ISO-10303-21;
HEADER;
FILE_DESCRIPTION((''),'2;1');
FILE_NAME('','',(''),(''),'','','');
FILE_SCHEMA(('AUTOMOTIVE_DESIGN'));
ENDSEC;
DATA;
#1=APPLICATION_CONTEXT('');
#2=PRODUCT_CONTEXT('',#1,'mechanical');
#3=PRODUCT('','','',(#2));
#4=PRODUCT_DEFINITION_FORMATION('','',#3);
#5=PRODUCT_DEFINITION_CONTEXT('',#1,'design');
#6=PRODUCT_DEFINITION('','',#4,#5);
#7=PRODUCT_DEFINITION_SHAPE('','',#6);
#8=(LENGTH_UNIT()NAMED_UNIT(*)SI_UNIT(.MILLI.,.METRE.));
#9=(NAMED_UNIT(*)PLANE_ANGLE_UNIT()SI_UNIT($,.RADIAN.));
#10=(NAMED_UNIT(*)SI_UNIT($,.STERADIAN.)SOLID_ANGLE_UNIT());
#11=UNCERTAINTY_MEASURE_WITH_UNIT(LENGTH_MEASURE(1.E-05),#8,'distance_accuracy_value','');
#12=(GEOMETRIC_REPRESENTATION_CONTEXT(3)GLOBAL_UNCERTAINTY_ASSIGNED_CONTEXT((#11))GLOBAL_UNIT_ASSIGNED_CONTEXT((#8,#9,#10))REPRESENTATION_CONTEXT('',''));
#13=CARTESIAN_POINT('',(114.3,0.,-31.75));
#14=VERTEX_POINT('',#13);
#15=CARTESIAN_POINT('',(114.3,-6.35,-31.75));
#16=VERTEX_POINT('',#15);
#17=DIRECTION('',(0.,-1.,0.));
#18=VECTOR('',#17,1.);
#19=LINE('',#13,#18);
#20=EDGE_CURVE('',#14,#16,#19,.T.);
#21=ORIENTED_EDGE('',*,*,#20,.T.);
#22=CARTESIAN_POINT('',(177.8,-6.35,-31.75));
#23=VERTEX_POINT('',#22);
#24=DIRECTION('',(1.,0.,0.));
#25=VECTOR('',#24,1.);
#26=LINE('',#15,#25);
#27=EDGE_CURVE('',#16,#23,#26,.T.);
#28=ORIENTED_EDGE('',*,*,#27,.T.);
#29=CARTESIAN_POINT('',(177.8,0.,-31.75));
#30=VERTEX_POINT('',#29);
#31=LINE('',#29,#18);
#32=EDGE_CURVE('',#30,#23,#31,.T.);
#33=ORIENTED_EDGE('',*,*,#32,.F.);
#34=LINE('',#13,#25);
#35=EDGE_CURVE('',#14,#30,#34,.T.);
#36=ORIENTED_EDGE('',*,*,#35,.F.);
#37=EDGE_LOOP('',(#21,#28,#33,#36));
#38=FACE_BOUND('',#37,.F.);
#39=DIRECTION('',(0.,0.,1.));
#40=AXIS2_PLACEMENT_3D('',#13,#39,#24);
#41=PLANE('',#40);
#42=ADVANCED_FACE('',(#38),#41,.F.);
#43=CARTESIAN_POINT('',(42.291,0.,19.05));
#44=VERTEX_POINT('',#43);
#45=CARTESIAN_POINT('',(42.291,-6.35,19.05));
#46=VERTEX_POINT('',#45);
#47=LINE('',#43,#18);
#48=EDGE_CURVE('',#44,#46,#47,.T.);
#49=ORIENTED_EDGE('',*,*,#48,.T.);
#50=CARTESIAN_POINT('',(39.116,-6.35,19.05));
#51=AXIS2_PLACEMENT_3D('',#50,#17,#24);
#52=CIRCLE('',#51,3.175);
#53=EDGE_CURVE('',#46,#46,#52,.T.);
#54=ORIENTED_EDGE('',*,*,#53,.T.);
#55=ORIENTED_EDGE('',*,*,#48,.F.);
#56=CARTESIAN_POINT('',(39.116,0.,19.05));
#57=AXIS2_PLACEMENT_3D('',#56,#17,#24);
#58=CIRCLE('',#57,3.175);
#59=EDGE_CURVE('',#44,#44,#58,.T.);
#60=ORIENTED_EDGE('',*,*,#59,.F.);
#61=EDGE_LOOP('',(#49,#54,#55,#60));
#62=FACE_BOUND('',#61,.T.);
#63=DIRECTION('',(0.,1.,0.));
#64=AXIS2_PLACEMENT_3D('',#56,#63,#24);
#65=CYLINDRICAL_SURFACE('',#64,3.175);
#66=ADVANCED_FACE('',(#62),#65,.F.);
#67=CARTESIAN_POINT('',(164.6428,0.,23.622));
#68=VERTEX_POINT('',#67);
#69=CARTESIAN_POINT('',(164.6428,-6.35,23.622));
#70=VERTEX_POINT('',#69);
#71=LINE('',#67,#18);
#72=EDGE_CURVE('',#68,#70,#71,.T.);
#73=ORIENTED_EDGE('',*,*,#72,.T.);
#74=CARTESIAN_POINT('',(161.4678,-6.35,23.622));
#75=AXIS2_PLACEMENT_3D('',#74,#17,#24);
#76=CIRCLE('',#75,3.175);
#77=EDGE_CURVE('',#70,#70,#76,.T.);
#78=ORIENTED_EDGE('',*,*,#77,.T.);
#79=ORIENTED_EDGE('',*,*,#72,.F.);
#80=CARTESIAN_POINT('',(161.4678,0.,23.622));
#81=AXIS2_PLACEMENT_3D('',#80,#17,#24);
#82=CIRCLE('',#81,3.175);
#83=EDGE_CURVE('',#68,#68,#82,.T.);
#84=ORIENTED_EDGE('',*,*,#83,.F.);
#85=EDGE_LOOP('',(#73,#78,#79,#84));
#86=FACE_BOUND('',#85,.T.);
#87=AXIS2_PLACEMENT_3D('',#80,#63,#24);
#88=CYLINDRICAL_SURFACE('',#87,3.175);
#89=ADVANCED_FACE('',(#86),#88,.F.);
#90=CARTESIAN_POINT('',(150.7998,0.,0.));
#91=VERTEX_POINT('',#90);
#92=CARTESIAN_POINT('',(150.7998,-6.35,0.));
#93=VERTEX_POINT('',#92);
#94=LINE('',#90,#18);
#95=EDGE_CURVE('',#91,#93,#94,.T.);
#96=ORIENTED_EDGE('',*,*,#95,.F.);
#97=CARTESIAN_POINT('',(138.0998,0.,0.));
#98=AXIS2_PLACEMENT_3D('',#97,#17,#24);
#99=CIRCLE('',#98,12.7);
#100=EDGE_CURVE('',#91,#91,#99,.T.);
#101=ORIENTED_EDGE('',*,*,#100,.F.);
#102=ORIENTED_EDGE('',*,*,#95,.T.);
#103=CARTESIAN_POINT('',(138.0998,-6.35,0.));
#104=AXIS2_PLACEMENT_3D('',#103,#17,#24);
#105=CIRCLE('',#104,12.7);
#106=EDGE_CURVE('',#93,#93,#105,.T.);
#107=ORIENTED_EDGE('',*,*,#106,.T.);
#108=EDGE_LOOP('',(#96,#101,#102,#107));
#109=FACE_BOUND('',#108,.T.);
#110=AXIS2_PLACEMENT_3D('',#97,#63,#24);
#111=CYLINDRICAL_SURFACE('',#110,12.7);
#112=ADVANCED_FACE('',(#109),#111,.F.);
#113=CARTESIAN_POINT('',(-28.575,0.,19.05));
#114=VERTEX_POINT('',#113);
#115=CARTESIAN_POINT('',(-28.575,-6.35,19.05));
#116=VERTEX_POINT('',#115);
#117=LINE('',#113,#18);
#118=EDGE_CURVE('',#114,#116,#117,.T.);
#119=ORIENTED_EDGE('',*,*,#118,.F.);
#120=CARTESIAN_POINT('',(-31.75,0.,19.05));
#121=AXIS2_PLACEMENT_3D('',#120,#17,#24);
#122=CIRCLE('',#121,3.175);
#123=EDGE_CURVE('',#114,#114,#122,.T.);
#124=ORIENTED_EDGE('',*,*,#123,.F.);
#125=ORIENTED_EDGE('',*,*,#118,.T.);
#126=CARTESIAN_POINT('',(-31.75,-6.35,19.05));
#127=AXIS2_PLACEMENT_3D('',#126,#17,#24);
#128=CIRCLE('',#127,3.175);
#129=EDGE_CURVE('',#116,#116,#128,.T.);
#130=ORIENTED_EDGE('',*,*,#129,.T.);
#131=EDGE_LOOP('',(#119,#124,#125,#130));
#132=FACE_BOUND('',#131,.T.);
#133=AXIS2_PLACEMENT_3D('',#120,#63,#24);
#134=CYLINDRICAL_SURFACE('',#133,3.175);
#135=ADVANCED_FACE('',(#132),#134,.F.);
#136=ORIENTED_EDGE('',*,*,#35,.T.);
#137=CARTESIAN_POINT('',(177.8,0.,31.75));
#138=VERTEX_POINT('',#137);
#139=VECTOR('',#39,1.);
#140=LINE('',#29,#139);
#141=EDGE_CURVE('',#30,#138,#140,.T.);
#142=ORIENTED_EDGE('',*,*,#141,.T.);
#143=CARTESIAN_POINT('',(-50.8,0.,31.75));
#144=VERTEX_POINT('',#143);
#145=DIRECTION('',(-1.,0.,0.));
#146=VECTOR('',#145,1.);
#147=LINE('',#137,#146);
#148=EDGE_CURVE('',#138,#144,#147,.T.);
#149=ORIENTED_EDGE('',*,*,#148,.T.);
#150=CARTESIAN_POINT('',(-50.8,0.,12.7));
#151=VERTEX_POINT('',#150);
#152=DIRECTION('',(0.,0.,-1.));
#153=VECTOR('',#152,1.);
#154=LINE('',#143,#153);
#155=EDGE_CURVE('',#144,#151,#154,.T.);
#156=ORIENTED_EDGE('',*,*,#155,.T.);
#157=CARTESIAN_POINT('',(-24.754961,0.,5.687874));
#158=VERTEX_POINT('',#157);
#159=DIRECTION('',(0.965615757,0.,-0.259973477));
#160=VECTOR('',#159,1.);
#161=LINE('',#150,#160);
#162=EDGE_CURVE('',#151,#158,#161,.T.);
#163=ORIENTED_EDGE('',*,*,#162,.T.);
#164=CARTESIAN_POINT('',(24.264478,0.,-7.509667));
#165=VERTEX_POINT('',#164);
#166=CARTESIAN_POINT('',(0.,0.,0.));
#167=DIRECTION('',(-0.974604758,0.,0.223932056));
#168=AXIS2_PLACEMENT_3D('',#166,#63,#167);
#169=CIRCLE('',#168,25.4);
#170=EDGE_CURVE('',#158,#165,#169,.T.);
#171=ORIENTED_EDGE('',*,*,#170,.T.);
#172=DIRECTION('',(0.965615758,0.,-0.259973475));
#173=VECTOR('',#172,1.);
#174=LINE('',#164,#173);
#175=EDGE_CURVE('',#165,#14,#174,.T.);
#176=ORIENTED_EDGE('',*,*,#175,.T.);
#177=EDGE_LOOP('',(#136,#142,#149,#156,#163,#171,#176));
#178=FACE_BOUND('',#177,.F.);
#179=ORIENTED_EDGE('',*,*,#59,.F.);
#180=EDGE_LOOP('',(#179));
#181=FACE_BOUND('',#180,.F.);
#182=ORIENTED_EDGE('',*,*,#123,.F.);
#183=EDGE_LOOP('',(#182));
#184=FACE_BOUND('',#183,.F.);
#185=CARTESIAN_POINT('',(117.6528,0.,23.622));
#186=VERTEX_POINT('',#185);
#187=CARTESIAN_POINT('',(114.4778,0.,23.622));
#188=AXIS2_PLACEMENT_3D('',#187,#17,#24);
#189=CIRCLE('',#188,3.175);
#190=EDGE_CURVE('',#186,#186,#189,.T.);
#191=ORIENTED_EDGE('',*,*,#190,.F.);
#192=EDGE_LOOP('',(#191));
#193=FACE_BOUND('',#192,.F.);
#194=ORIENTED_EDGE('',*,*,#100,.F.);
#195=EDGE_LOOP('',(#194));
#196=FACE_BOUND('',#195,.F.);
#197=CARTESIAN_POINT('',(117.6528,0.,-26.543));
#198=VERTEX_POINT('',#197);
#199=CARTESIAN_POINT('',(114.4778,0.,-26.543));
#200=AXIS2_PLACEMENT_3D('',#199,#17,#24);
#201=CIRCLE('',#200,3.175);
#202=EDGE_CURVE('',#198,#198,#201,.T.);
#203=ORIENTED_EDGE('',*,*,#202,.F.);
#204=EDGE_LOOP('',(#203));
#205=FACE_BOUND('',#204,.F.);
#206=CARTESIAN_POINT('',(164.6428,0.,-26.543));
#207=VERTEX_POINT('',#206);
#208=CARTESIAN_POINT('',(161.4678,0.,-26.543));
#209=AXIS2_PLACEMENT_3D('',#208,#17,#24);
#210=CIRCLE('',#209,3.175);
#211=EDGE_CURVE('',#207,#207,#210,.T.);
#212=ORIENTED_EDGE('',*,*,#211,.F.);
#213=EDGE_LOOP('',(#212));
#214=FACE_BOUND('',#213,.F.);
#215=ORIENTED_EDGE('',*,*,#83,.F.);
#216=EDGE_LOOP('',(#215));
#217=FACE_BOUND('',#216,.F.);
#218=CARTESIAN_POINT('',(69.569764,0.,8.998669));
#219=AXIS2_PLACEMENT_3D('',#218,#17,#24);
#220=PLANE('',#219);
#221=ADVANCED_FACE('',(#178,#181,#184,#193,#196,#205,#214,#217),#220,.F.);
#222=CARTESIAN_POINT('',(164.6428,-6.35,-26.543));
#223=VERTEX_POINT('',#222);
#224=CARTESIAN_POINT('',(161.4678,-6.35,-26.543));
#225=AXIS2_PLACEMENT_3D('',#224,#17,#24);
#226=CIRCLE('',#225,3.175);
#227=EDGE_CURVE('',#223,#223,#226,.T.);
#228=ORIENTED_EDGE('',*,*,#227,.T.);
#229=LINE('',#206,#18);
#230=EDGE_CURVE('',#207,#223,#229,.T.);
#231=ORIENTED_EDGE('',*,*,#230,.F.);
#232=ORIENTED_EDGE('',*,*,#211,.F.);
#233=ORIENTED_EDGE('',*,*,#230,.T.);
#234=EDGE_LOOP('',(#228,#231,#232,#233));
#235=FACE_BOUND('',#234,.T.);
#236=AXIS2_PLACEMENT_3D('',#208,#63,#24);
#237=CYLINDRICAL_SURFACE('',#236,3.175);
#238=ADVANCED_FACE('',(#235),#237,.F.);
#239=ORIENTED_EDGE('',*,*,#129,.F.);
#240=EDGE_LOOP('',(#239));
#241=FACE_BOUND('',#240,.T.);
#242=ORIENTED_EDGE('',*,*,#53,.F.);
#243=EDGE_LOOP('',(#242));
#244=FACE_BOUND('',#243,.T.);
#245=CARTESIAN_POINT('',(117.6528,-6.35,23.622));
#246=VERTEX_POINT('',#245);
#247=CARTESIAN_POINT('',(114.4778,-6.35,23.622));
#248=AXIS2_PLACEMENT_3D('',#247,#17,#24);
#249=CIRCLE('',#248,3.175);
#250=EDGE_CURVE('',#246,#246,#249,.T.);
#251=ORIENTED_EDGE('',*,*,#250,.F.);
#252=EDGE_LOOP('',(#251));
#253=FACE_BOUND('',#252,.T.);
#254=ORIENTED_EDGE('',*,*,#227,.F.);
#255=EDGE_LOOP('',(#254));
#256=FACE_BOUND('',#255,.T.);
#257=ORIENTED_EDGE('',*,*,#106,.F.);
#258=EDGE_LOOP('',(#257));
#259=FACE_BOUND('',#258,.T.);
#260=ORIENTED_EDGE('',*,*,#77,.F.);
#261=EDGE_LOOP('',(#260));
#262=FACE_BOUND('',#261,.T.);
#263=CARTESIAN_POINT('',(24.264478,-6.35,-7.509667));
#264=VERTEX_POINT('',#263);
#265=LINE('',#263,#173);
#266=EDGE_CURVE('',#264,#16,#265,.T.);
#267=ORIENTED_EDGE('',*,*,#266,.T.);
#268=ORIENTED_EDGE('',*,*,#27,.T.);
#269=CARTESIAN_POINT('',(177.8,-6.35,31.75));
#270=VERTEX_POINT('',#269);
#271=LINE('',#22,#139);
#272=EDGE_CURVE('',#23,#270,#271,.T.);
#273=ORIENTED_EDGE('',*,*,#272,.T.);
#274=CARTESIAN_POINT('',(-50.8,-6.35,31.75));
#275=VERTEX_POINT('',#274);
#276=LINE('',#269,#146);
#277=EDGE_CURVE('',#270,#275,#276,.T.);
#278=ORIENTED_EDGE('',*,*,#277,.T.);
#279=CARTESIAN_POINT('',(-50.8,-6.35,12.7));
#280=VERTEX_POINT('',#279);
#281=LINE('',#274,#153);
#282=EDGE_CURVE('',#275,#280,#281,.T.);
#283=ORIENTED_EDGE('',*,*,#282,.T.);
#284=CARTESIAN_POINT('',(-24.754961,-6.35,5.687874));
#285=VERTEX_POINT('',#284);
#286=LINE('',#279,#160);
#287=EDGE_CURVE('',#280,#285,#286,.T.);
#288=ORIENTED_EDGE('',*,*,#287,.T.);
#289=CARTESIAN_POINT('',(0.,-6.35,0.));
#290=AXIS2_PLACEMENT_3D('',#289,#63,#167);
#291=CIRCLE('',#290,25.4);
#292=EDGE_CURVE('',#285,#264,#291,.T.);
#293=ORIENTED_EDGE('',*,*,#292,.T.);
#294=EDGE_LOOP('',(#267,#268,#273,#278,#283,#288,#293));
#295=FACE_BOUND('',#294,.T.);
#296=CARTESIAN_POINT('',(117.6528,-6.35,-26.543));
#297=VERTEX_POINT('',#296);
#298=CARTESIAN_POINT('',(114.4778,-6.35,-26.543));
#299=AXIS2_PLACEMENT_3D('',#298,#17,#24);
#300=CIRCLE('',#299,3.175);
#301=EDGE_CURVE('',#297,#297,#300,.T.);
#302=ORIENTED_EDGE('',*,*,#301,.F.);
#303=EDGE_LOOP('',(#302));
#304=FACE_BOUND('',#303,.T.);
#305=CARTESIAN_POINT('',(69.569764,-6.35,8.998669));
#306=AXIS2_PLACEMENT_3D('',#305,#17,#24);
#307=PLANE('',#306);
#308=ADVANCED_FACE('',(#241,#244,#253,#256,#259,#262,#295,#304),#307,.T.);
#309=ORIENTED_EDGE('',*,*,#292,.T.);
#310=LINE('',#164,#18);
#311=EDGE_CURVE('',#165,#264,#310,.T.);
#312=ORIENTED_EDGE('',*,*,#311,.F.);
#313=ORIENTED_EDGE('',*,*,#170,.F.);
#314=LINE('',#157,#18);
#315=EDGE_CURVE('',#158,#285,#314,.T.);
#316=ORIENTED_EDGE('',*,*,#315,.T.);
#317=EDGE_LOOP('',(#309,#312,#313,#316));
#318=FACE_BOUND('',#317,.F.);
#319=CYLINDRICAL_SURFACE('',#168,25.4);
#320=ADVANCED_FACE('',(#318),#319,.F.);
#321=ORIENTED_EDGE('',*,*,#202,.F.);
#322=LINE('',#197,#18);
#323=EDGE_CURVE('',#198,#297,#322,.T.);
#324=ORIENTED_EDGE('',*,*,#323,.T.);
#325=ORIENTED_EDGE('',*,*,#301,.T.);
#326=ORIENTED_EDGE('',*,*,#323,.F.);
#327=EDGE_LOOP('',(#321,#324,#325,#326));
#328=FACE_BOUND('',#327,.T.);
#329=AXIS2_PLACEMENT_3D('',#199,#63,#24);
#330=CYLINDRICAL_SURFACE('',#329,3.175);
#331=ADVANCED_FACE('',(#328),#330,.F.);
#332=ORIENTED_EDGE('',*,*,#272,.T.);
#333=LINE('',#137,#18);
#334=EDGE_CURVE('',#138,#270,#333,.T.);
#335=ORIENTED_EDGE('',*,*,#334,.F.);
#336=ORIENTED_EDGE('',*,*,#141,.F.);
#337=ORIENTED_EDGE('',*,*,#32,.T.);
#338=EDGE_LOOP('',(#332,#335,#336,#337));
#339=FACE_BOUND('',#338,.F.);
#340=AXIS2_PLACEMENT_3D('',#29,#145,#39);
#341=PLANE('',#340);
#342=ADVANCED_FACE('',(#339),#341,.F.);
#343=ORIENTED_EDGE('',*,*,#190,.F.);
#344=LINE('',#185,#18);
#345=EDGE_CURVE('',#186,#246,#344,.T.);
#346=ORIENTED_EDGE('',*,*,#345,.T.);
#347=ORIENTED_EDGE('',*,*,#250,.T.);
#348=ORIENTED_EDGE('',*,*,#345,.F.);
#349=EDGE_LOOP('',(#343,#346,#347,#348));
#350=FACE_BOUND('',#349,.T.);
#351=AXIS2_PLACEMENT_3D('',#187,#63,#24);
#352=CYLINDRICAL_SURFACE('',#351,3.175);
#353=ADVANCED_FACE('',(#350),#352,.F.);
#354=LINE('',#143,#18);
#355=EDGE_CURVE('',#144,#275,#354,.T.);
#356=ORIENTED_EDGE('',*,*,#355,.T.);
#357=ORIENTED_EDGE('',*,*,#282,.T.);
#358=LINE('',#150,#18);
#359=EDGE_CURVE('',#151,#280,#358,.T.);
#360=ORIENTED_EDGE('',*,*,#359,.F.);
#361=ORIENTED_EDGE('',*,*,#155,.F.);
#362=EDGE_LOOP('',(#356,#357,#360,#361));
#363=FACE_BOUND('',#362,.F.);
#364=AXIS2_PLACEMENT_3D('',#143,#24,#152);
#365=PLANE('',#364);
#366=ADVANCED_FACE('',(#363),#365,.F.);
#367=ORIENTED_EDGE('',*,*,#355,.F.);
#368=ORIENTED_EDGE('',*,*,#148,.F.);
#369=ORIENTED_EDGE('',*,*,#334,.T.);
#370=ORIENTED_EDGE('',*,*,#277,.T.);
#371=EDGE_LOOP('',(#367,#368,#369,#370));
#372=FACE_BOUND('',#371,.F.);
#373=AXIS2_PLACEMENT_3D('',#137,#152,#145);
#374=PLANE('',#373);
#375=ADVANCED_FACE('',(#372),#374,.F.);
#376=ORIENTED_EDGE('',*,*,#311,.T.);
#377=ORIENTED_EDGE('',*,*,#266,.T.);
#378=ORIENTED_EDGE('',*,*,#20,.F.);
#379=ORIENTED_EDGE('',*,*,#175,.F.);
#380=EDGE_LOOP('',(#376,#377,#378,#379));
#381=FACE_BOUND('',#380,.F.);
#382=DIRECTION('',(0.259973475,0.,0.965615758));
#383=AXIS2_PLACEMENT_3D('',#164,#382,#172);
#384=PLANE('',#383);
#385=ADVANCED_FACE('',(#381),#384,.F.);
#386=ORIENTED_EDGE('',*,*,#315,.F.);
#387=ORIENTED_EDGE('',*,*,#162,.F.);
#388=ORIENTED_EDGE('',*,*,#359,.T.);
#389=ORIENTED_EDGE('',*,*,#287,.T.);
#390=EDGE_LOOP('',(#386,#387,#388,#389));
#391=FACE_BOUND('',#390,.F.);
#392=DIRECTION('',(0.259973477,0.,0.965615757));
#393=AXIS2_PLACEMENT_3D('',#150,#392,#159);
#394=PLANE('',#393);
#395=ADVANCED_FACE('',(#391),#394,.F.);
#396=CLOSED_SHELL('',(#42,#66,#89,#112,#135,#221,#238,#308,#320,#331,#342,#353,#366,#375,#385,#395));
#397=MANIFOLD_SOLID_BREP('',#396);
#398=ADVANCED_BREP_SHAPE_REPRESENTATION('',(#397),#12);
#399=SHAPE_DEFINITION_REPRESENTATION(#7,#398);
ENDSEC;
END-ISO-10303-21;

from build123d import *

# Parameters (mm, degrees)
F0_R     = 3.175
F0_R_2   = 12.7
F1_DEPTH = 6.35


with BuildPart() as f1:
    # F0 (on Front) → F1 (new body)
    with BuildSketch(Plane.XZ):
        with BuildLine():
            Line((177.8, 31.75), (-50.8, 31.75))
            Line((-50.8, 31.75), (-50.8, 12.7))
            Line((-50.8, 12.7), (-24.754961, 5.687874))
            ThreePointArc((-24.754961, 5.687874), (6.603326, 24.52664), (24.264478, -7.509667))
            Line((24.264478, -7.509667), (114.3, -31.75))
            Line((114.3, -31.75), (177.8, -31.75))
            Line((177.8, -31.75), (177.8, 31.75))
        make_face()
        with Locations((114.4778, -26.543)):
            Circle(F0_R, mode=Mode.SUBTRACT)
        with Locations((161.4678, -26.543)):
            Circle(F0_R, mode=Mode.SUBTRACT)
        with Locations((-31.75, 19.05)):
            Circle(F0_R, mode=Mode.SUBTRACT)
        with Locations((39.116, 19.05)):
            Circle(F0_R, mode=Mode.SUBTRACT)
        with Locations((138.0998, 0)):
            Circle(F0_R_2, mode=Mode.SUBTRACT)
        with Locations((114.4778, 23.622)):
            Circle(F0_R, mode=Mode.SUBTRACT)
        with Locations((161.4678, 23.622)):
            Circle(F0_R, mode=Mode.SUBTRACT)
    extrude(amount=F1_DEPTH)


solid = f1.part
